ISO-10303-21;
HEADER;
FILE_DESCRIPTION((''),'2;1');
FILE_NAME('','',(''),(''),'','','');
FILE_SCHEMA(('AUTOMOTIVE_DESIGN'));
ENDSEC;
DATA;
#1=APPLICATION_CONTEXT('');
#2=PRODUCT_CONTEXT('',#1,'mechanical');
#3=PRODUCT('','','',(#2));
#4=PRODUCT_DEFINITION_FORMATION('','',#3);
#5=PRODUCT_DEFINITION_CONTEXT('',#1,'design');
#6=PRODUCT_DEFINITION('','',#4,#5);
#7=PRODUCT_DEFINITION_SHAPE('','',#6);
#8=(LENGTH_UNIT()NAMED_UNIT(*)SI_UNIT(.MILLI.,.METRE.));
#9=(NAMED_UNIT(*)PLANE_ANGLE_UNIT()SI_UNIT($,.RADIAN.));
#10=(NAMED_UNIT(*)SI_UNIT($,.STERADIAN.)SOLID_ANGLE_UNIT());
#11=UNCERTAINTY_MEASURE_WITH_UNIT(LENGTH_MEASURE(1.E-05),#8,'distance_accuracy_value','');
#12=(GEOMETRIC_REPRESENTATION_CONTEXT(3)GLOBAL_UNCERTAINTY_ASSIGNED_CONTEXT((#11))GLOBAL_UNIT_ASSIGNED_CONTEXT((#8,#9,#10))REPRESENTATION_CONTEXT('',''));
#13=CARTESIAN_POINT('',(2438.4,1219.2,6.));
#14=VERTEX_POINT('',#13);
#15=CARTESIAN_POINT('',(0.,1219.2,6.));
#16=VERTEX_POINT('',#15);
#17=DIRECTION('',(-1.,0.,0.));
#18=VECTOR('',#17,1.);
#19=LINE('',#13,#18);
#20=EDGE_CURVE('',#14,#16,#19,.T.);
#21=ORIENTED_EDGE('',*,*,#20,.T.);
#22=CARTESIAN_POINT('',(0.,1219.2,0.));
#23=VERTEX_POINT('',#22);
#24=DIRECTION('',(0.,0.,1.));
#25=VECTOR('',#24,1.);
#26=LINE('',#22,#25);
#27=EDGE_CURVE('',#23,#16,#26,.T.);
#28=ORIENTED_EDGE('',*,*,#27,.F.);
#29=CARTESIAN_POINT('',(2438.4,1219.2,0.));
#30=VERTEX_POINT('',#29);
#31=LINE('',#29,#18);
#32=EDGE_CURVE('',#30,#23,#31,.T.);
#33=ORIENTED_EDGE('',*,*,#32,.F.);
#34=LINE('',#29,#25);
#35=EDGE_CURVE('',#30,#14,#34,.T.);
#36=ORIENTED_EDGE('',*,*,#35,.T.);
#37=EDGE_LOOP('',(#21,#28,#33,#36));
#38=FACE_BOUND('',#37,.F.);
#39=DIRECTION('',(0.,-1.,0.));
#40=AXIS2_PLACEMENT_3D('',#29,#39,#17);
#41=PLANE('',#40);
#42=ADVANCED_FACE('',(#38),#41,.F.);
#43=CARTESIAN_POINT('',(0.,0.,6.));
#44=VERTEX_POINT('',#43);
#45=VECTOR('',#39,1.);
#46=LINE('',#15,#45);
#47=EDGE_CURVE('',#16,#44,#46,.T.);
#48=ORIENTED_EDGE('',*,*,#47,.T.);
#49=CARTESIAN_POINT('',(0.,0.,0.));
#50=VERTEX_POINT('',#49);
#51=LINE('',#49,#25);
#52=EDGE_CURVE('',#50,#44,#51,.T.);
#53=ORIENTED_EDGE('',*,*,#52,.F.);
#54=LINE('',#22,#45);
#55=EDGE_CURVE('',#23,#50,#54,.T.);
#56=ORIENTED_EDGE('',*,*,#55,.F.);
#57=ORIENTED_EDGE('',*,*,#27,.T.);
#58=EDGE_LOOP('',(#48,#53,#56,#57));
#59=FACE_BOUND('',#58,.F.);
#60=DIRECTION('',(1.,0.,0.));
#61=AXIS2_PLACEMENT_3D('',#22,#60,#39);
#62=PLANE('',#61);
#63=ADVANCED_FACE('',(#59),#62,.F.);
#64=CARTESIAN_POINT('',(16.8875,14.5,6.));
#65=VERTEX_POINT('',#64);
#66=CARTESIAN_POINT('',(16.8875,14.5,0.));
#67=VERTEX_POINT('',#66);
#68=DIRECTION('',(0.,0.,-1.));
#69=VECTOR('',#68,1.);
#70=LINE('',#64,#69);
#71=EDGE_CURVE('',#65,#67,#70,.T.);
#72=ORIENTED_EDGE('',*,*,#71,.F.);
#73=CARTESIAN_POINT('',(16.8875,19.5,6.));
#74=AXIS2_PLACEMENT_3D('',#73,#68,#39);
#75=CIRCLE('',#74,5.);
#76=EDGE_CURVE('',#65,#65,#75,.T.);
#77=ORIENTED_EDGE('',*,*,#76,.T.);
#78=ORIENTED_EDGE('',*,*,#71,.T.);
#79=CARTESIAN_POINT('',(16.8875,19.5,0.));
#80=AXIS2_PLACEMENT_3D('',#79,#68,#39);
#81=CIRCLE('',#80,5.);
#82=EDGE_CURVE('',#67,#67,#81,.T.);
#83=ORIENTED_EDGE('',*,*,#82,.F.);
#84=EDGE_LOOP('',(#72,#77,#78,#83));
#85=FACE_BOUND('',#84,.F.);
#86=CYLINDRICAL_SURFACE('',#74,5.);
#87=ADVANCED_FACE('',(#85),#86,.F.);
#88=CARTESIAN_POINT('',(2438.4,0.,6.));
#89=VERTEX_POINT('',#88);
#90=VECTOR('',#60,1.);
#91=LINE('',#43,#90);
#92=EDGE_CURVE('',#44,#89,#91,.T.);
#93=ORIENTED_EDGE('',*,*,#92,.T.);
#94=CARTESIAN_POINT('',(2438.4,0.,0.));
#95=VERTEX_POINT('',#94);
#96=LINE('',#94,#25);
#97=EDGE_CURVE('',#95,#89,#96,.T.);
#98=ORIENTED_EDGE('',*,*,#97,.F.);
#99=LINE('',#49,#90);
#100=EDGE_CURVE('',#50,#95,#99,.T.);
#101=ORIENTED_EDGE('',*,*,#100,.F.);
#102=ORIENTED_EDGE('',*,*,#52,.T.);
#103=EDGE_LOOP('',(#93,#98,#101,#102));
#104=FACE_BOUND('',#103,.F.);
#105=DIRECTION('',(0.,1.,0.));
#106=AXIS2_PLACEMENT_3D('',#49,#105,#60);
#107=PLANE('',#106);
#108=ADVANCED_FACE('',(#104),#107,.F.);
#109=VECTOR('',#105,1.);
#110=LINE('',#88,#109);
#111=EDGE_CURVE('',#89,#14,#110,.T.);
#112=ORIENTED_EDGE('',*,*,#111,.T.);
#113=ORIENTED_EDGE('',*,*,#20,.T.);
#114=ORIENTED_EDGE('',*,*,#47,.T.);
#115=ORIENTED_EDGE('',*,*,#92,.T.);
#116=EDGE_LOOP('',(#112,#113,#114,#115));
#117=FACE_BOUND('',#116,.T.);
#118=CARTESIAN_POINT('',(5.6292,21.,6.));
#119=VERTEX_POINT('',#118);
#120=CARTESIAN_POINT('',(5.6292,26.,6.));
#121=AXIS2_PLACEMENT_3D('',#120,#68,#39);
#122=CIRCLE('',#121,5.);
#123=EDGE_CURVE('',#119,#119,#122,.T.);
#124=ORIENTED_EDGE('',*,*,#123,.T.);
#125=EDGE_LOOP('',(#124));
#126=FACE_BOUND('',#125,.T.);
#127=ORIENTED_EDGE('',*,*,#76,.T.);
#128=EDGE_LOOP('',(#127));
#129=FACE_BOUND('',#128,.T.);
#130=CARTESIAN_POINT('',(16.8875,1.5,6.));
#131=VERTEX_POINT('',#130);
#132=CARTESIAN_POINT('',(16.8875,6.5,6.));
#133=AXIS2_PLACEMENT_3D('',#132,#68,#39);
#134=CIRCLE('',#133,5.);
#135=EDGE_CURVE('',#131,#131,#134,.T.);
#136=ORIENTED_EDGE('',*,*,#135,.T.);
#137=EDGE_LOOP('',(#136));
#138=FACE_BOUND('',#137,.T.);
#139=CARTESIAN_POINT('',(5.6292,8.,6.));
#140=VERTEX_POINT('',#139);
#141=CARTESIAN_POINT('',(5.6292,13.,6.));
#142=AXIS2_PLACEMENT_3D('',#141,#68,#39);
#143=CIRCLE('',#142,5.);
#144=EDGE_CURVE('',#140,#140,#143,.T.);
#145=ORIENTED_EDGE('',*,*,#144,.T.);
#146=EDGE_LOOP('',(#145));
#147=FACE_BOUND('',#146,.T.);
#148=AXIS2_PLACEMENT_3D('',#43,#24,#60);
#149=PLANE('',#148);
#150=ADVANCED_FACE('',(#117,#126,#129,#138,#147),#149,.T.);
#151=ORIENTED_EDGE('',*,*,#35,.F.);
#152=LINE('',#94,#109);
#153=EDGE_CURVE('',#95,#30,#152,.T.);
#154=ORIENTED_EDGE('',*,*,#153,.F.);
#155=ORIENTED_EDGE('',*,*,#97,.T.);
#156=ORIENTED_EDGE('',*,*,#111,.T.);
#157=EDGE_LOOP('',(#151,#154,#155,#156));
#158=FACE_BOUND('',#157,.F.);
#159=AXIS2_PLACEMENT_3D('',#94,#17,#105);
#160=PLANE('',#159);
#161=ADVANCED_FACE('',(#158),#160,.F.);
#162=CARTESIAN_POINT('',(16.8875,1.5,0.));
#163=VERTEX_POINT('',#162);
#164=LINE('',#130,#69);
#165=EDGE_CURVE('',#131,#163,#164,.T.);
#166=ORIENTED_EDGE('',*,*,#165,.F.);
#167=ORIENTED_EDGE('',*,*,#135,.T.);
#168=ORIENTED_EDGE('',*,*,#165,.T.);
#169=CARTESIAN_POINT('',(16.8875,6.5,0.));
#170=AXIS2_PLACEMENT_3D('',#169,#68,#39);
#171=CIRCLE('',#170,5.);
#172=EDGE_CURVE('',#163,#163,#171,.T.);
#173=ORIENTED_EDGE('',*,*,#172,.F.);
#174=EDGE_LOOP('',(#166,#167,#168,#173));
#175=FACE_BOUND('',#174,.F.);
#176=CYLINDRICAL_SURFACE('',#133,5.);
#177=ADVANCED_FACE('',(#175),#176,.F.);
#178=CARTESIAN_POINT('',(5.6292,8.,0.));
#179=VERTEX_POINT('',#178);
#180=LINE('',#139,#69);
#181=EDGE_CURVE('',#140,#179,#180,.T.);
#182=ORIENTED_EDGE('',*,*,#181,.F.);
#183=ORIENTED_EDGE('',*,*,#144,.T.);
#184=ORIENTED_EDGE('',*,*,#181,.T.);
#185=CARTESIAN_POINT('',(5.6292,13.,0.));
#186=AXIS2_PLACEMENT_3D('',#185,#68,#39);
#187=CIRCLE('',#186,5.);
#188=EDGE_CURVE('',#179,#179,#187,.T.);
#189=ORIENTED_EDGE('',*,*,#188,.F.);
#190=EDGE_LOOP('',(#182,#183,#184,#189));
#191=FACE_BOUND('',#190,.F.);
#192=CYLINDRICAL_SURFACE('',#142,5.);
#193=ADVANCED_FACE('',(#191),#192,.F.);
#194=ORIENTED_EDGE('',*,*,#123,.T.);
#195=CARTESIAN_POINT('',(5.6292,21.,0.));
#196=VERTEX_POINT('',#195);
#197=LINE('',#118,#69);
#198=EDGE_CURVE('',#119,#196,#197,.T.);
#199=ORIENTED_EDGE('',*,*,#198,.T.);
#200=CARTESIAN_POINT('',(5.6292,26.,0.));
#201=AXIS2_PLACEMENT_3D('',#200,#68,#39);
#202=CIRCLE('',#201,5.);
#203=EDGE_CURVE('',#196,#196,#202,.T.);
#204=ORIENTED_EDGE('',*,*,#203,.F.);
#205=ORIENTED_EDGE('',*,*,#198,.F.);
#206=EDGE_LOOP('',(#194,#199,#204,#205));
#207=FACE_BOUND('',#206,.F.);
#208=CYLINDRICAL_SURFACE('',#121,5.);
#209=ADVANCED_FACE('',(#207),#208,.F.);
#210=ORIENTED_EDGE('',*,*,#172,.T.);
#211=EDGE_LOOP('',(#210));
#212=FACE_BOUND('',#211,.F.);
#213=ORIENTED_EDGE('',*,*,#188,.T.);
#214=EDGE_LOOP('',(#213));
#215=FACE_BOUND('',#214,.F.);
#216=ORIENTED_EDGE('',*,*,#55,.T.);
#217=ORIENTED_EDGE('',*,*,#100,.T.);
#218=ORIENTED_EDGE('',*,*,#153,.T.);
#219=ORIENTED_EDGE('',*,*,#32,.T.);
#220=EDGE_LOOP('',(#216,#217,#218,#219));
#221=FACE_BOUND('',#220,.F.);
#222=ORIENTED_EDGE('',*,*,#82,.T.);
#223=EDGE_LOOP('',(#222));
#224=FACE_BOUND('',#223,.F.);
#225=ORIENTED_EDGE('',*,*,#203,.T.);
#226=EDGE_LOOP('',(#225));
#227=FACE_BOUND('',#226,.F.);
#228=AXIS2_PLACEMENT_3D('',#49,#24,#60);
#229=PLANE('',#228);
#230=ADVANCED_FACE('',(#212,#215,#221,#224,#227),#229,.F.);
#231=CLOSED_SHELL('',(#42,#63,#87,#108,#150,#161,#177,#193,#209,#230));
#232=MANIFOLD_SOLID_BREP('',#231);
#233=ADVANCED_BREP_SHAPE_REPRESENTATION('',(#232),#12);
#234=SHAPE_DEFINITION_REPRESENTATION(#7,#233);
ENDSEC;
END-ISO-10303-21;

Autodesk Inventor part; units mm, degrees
ref_plane "YZ Plane" through (0, 0, 0) normal (1, 0, 0) x (0, 1, 0)
ref_plane "XZ Plane" through (0, 0, 0) normal (0, 1, 0) x (-1, 0, 0)
ref_plane "XY Plane" through (0, 0, 0) normal (0, 0, 1) x (1, 0, 0)
sketch "Sketch1" plane through (0, 0, 0) normal (0, 0, 1) x (1, 0, 0)
  line L0 (0, 0) -> (2438.4, 0)
  line L1 (2438.4, 0) -> (2438.4, 1219.2)
  line L2 (2438.4, 1219.2) -> (0, 1219.2)
  line L3 (0, 1219.2) -> (0, 0)
  dimension "d0" = 2438.4
  dimension "d1" = 1219.2
extrude "Extrusion1" add sketch "Sketch1" along normal blind 6
sketch "Sketch2" plane through (0, 0, 6) normal (0, 0, 1) x (1, 0, 0)
  line L0 (16.8875, 6.5) -> (16.8875, 19.5) construction
  line L1 (16.8875, 19.5) -> (5.6292, 13) construction
  line L2 (5.6292, 13) -> (16.8875, 6.5) construction
  line L3 (0, 0) -> (2438.4, 0) projected
  line L4 (0, 1219.2) -> (0, 0) projected
  line L5 (5.6292, 13) -> (5.6292, 26) construction
  line L6 (5.6292, 26) -> (16.8875, 19.5) construction
  dimension "Y_space" = 13
  dimension "d5" = 6.5
  dimension "d6" = 5.6292
  dimension "X_space" = 11.2583
hole "Hole1" at (5.6292, 13, 6) at (16.8875, 19.5, 6) at (16.8875, 6.5, 6) at (5.6292, 26, 6) direction (0, 0, -1) diameter 10 end through all
equation "\"d5\" = 0.5 * Y_space"
equation "\"d6\" = 0.5 * X_space"
properties part number "Drilled plate"
